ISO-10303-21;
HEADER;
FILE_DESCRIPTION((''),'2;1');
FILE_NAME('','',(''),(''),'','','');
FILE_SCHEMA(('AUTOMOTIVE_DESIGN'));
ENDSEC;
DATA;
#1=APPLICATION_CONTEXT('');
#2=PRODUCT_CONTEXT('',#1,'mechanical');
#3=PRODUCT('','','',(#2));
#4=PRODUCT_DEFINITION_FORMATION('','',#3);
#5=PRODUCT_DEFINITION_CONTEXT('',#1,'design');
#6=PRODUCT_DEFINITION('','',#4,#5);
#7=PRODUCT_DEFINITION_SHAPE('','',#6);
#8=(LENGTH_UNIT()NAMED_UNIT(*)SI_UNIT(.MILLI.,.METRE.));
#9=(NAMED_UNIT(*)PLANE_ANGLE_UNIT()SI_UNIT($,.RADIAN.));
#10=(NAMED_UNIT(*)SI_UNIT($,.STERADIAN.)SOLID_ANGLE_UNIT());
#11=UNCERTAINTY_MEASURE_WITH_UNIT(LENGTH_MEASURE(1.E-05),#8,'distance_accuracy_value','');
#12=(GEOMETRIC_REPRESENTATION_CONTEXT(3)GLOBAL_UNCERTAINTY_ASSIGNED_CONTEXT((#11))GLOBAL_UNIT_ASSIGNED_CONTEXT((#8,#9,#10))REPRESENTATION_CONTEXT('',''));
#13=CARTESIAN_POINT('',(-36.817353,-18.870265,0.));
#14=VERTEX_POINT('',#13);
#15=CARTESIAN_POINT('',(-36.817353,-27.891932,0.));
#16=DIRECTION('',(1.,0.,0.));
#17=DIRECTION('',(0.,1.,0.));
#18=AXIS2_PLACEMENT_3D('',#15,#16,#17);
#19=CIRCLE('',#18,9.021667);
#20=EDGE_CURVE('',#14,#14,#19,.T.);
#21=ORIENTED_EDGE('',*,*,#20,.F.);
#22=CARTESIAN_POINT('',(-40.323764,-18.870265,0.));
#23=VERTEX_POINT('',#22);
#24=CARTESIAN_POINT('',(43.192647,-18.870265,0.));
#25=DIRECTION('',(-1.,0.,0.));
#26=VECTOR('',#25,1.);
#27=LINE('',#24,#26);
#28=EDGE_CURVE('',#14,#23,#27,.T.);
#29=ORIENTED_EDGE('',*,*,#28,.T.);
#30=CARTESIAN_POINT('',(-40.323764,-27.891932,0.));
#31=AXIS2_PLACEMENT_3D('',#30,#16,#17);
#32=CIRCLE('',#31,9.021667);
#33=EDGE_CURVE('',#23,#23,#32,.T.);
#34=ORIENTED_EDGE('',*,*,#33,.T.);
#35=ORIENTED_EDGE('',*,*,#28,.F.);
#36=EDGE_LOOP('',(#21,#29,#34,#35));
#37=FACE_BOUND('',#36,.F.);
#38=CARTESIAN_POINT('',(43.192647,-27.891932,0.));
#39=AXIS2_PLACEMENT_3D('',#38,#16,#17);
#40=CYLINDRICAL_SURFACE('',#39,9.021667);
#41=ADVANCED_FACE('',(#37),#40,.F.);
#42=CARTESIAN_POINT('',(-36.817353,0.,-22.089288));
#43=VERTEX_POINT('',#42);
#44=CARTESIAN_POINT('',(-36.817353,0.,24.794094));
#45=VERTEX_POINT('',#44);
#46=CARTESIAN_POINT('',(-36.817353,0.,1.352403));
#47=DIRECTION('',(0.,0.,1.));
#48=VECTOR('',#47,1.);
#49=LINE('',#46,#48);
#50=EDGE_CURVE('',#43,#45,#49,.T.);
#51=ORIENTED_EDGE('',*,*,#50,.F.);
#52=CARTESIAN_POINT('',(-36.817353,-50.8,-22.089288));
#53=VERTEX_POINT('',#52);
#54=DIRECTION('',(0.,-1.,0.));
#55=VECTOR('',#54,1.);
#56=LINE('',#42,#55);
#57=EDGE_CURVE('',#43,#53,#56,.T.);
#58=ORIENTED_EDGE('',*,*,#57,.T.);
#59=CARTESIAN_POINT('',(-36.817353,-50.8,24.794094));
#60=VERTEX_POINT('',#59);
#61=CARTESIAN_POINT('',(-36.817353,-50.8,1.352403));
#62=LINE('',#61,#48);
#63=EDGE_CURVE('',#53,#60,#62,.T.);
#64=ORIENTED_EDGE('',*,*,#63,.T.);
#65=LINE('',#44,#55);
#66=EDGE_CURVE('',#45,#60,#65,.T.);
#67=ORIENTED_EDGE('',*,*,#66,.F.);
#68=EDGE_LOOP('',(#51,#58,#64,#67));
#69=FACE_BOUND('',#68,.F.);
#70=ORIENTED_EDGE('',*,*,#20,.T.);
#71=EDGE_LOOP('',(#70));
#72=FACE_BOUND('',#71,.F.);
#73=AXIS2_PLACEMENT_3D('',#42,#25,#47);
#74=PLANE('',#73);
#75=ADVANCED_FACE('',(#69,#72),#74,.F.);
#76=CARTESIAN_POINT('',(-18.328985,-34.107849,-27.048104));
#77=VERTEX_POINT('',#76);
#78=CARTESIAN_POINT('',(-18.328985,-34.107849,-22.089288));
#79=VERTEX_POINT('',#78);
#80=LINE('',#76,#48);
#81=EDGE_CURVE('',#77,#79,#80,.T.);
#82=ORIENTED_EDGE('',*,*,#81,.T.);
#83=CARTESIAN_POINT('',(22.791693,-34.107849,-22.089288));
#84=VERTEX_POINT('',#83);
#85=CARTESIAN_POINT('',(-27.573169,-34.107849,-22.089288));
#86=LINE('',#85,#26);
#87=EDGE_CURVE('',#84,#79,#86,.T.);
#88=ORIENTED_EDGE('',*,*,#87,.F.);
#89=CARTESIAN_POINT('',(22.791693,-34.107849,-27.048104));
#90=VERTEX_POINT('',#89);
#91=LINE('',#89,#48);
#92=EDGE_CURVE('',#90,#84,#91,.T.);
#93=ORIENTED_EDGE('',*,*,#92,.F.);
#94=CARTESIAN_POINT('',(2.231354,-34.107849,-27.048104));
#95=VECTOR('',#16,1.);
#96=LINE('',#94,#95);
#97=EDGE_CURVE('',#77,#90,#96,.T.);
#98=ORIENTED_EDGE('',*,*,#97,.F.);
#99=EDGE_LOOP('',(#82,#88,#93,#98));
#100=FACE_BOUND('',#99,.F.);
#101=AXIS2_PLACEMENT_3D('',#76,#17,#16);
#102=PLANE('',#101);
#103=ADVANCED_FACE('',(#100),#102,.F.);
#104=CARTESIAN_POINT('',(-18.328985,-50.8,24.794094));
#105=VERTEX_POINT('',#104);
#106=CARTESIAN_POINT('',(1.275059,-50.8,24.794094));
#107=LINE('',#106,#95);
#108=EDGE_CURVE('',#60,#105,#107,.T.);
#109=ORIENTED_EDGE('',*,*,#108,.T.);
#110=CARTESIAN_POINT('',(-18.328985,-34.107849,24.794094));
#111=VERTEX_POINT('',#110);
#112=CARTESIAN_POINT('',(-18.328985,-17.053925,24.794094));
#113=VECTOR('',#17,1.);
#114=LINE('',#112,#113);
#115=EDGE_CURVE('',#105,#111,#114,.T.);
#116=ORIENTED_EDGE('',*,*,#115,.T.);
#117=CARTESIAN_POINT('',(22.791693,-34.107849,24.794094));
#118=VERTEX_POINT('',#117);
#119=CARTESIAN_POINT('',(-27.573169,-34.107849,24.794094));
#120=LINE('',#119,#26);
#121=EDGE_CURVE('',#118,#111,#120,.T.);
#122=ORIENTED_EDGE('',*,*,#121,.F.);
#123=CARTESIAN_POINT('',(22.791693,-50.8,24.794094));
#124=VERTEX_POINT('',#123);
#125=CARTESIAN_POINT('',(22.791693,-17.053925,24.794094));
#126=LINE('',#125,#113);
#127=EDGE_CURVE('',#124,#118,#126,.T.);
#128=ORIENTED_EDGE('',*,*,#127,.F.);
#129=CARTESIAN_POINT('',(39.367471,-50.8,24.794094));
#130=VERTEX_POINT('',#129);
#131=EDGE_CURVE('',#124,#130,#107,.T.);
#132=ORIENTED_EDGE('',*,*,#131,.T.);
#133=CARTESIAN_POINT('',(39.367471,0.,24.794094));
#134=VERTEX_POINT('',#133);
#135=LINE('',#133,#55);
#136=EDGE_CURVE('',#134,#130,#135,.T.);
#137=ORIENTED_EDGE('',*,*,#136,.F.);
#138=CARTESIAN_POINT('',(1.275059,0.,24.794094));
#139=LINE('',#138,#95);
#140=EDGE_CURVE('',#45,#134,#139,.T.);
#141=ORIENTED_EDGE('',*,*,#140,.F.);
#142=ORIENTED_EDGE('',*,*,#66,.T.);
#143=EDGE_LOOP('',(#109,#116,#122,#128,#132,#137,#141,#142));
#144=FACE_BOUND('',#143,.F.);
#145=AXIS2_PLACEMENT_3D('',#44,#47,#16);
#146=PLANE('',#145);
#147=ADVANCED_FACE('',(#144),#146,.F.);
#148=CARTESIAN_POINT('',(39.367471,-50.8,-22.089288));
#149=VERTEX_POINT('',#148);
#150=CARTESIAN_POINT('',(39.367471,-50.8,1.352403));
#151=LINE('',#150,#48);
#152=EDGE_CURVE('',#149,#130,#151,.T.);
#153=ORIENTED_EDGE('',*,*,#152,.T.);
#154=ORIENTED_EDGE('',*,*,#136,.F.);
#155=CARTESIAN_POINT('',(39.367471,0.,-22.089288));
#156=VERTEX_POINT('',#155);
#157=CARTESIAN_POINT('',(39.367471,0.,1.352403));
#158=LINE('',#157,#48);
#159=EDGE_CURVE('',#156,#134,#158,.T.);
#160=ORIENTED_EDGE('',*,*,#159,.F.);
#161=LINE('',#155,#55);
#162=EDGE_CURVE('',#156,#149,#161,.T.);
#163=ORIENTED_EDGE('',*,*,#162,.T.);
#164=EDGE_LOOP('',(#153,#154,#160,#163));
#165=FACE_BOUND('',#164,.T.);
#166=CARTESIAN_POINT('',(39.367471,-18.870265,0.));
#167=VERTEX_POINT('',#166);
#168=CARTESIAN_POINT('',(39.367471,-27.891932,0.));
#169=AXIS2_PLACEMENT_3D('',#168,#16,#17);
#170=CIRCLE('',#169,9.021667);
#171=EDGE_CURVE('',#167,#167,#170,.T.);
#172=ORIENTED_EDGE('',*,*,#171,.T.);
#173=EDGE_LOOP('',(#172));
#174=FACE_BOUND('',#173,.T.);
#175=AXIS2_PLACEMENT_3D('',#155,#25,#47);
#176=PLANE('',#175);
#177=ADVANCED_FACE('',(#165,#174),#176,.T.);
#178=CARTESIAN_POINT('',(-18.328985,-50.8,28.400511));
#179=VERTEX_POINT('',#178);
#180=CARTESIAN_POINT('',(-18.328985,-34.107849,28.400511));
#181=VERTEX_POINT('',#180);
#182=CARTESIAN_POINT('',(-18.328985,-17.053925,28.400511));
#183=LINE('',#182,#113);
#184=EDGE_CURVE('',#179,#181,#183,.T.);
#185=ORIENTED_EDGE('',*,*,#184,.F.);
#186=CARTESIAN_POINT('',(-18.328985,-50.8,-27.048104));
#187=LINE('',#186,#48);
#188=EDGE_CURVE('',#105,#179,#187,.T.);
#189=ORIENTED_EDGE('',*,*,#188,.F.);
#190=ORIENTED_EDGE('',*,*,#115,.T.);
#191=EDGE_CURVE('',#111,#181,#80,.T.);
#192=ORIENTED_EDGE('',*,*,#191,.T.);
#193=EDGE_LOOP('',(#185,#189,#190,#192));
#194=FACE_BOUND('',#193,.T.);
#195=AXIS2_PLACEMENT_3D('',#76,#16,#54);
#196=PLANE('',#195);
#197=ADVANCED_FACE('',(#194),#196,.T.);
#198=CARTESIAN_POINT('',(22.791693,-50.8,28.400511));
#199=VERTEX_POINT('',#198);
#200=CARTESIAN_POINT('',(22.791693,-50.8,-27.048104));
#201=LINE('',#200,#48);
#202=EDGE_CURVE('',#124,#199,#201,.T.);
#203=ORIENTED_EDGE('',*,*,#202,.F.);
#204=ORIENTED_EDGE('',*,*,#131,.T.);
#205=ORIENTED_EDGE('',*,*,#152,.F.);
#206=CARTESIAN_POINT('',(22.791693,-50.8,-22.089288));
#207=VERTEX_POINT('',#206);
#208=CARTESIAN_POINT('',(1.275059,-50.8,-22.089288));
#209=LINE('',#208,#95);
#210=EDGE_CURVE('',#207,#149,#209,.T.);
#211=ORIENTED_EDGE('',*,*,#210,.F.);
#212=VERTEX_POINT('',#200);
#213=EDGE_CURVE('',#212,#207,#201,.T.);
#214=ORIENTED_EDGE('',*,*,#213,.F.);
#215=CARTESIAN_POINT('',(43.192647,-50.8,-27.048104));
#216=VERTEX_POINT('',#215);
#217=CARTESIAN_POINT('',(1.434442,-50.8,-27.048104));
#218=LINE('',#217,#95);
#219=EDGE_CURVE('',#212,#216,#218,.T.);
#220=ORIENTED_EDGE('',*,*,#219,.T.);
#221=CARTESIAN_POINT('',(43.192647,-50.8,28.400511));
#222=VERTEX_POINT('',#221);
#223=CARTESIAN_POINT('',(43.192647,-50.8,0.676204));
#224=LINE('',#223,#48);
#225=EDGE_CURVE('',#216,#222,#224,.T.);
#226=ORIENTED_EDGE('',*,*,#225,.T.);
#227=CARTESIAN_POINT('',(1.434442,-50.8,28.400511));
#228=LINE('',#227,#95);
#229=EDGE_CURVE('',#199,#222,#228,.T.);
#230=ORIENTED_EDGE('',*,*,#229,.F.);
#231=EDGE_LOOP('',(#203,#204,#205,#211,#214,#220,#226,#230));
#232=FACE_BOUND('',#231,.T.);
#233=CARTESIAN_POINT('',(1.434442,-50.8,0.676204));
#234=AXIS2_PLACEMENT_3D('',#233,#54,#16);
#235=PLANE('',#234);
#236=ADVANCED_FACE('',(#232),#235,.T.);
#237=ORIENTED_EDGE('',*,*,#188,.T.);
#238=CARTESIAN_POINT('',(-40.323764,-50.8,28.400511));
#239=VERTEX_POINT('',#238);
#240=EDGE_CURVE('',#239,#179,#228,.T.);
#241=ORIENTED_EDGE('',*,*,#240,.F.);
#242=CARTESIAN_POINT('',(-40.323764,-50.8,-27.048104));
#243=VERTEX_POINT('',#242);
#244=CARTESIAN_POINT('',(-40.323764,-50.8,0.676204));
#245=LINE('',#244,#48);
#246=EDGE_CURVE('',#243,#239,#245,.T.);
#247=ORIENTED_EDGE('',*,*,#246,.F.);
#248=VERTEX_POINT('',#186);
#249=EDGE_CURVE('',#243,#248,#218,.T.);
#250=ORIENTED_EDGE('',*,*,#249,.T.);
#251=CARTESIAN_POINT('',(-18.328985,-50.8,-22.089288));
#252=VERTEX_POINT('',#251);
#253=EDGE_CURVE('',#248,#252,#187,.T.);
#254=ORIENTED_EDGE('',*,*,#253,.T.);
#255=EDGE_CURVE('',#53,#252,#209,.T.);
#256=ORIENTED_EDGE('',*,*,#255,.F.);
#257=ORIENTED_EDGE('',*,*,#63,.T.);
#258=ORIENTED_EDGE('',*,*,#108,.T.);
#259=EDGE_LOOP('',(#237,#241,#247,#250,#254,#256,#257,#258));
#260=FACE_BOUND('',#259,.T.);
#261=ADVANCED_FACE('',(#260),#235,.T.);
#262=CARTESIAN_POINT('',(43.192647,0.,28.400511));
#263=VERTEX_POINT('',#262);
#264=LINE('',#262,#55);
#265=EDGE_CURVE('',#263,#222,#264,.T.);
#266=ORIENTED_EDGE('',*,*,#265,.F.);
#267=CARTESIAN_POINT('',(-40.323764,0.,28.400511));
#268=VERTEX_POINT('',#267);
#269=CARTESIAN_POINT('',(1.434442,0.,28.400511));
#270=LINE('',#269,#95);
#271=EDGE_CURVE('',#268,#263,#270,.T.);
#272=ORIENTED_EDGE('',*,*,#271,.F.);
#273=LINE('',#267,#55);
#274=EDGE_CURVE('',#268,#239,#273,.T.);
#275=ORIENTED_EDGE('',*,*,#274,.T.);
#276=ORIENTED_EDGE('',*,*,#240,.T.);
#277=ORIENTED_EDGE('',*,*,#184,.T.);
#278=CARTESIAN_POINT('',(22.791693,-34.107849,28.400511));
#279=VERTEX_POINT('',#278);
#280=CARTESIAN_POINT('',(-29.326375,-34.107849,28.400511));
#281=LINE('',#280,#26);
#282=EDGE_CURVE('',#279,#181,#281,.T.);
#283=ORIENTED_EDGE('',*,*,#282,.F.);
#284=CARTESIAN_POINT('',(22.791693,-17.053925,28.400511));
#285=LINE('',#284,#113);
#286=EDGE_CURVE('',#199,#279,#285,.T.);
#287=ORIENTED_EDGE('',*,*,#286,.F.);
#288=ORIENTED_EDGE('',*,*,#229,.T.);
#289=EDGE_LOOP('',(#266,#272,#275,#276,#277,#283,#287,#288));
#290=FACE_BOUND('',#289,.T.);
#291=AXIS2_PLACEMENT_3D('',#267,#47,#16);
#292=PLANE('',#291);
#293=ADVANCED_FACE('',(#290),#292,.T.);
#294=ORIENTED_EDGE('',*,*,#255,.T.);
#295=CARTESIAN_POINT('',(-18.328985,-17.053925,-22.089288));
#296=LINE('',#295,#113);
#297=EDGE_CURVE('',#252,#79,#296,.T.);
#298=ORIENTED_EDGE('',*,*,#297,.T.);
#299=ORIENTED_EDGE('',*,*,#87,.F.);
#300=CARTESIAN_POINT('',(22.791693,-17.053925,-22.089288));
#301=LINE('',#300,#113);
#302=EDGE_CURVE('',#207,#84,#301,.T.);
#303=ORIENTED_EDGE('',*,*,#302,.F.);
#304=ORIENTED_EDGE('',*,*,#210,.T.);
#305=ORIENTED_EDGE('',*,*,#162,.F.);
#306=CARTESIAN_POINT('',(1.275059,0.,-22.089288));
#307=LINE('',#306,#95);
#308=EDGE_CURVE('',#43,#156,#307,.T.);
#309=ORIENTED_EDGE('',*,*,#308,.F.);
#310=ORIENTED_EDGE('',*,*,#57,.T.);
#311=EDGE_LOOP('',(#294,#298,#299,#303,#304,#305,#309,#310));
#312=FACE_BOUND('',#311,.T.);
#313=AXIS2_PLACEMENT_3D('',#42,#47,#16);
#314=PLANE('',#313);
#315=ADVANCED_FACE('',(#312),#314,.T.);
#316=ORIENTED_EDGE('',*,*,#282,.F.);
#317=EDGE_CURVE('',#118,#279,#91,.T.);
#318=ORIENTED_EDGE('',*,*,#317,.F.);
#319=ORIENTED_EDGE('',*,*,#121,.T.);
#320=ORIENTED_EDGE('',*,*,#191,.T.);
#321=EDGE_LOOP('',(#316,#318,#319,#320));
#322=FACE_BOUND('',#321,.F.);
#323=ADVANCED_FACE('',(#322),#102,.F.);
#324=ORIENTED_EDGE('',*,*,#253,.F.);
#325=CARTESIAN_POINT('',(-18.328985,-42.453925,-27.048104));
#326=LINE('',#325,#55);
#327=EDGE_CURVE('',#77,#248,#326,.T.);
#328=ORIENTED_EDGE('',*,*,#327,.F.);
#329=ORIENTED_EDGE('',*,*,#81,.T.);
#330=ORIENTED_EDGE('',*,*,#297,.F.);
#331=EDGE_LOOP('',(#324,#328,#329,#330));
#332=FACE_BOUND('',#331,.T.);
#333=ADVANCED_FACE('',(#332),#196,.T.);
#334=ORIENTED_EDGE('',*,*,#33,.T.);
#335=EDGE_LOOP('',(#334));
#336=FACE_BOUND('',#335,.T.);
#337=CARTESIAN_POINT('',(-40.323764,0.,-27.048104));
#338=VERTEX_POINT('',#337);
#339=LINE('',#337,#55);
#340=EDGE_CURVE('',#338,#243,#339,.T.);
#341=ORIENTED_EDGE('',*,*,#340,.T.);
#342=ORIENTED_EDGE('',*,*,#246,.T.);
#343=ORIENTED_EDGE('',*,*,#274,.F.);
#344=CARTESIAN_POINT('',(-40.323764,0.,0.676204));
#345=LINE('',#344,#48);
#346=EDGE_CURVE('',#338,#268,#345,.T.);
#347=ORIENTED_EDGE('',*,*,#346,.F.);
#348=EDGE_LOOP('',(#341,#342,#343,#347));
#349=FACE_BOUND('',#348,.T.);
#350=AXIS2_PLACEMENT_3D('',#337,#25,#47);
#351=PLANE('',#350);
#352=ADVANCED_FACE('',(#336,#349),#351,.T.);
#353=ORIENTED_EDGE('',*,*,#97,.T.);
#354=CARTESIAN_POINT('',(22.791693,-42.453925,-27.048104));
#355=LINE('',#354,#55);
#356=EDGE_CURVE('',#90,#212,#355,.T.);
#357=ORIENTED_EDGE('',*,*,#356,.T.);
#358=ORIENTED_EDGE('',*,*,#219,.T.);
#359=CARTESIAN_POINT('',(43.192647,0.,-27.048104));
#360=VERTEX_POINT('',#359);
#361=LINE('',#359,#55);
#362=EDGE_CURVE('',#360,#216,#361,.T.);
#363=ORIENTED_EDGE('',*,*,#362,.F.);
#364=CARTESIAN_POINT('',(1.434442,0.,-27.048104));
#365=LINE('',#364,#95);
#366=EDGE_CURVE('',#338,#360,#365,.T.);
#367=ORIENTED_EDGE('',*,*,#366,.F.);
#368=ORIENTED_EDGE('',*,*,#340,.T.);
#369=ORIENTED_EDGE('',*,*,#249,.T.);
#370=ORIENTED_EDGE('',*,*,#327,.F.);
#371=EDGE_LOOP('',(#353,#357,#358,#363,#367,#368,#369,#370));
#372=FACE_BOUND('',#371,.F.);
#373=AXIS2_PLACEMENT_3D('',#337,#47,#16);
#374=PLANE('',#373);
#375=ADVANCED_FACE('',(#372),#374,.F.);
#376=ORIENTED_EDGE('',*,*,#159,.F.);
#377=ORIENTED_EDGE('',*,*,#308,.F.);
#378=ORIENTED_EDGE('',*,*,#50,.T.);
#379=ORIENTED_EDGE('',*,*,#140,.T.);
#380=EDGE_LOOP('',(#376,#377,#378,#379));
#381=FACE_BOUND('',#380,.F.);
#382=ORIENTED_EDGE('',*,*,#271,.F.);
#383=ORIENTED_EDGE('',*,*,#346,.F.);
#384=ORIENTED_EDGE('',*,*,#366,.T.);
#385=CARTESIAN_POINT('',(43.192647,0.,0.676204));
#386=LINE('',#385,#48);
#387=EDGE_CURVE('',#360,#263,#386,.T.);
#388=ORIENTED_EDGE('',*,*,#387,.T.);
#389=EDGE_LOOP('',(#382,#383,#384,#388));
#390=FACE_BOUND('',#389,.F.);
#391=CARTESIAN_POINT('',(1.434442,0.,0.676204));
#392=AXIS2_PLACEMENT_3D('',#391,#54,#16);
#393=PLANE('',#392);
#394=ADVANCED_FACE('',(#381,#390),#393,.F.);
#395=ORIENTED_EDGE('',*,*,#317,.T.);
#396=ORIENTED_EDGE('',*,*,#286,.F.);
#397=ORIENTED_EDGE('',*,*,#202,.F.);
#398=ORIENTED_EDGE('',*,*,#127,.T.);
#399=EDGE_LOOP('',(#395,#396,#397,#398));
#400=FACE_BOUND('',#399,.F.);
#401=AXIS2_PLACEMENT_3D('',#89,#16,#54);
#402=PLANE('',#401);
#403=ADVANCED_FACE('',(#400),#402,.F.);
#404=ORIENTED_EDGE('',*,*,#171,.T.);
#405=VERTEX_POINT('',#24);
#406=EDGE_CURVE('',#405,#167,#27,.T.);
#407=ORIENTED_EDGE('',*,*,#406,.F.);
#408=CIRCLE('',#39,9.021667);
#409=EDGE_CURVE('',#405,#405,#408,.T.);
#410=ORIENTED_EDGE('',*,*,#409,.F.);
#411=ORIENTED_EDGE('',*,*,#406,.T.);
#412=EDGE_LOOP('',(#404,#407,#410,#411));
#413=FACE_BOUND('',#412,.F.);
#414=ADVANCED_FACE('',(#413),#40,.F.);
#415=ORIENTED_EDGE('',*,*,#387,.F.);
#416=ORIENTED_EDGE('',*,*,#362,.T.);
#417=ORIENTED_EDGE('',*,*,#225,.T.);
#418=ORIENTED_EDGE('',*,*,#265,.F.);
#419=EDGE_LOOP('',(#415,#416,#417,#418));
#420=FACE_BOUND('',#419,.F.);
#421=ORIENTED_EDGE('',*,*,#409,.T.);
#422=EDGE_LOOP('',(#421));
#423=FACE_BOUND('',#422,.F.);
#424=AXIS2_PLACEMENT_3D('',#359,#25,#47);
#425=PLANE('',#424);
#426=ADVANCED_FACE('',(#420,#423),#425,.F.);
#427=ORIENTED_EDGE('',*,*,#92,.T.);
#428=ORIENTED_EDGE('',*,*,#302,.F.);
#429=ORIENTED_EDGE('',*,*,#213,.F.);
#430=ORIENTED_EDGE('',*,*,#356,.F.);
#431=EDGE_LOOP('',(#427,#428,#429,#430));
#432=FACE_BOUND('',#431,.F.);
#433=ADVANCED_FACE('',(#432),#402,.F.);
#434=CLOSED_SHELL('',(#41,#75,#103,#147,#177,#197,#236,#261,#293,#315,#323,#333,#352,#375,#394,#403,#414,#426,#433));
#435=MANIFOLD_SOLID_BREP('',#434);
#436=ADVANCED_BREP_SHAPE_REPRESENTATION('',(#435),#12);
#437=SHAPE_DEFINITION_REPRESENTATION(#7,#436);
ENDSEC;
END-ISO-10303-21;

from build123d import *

# Parameters (mm, degrees)
F0_W     = 83.5164114833
F0_H     = 55.4486140609
F0_W_2   = 76.1848241091
F0_H_2   = 46.8833819032
F1_DEPTH = 50.8
F2_R     = 9.0216673632
F3_DEPTH = 113.284
F4_W     = 41.1206781864
F4_H     = 16.6921509981
F5_DEPTH = 1117.6


with BuildPart() as f1:
    # F0 (on Front) → F1 (new body)
    with BuildSketch(Plane.XZ):
        with Locations((1.4344416559, 0.6762035191)):
            Rectangle(F0_W, F0_H)
        with Locations((1.2750588357, 1.3524033129)):
            Rectangle(F0_W_2, F0_H_2, mode=Mode.SUBTRACT)
    extrude(amount=F1_DEPTH)

    # F2 (on face) → F3 (cut)
    with BuildSketch(Plane.YZ.offset(43.1926473975)):
        with Locations((-27.8919320554, 0)):
            Circle(F2_R)
    extrude(amount=-F3_DEPTH, mode=Mode.SUBTRACT)

    # F4 (on face) → F5 (cut)
    with BuildSketch(Plane(origin=(0, 0, -27.0481035113), x_dir=(1, 0, 0), z_dir=(0, 0, -1))):
        with Locations((2.2313538939, 42.4539245009)):
            Rectangle(F4_W, F4_H)
    extrude(amount=-F5_DEPTH, mode=Mode.SUBTRACT)


solid = f1.part
